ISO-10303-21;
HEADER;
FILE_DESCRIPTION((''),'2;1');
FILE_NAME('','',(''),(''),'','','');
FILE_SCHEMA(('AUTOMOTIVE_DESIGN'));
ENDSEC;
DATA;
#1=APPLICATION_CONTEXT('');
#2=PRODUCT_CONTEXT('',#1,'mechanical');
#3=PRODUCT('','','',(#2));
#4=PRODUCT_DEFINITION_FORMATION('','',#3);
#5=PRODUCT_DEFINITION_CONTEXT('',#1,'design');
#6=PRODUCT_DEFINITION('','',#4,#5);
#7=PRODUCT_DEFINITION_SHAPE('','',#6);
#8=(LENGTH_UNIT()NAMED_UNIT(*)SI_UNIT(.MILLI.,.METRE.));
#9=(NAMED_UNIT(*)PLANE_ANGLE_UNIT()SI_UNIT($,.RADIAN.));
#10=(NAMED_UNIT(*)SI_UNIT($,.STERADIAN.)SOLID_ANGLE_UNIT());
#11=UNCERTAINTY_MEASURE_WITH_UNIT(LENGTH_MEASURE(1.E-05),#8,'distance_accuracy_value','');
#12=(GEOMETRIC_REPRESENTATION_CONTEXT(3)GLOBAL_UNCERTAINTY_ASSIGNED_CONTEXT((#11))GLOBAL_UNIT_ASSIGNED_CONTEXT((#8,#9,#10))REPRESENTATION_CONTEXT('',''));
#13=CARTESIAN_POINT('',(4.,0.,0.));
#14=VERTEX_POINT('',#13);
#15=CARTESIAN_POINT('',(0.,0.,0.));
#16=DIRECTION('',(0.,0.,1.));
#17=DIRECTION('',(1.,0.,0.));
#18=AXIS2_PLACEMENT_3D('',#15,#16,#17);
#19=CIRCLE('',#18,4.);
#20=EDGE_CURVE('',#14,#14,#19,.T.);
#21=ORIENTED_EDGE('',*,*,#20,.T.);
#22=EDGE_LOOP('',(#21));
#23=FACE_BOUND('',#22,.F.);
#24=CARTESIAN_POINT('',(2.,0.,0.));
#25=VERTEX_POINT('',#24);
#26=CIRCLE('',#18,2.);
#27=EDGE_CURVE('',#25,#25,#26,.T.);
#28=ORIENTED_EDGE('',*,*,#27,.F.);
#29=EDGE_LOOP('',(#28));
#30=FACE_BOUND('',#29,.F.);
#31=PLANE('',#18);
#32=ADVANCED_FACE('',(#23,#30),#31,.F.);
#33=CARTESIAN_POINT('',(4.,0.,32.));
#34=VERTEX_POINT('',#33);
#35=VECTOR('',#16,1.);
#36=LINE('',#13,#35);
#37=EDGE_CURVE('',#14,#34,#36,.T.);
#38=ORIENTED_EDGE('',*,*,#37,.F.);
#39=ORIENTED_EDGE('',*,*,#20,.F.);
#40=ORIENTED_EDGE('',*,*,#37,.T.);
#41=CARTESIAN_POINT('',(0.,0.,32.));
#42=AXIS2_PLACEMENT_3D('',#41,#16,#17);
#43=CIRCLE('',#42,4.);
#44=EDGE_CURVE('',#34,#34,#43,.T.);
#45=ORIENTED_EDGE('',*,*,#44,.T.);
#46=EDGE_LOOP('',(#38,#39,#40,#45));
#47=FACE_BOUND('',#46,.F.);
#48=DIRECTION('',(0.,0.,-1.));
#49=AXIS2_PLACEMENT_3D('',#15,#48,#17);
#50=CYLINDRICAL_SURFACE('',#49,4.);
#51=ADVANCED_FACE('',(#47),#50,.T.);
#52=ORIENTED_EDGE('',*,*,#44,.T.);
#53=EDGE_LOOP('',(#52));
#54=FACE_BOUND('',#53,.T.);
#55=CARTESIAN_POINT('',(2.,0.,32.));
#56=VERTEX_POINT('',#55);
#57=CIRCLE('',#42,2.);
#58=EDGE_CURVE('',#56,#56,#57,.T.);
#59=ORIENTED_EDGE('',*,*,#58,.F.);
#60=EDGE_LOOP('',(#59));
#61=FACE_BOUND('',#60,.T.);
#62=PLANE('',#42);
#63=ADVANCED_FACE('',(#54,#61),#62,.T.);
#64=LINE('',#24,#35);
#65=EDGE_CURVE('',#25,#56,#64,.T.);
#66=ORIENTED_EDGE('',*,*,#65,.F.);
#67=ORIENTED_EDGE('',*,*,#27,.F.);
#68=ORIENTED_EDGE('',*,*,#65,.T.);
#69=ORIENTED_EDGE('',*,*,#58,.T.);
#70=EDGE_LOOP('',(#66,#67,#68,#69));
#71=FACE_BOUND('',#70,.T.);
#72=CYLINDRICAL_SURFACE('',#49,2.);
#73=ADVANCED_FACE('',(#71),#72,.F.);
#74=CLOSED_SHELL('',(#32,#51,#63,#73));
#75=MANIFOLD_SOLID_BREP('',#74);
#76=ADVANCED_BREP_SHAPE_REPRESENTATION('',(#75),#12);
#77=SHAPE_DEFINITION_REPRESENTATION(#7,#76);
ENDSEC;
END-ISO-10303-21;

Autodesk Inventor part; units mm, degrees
ref_plane "YZ Plane" through (0, 0, 0) normal (1, 0, 0) x (0, 1, 0)
ref_plane "XZ Plane" through (0, 0, 0) normal (0, 1, 0) x (-1, 0, 0)
ref_plane "XY Plane" through (0, 0, 0) normal (0, 0, 1) x (1, 0, 0)
sketch "スケッチ1" plane through (0, 0, 0) normal (0, 0, 1) x (1, 0, 0)
  circle A0 centre (0, 0) radius 4
  circle A1 centre (0, 0) radius 2
  dimension "d0" = 8
  dimension "d1" = 4
extrude "押し出し1" add sketch "スケッチ1" along normal blind 32
properties part number "スペーサーm4-32　簡易筒型"
